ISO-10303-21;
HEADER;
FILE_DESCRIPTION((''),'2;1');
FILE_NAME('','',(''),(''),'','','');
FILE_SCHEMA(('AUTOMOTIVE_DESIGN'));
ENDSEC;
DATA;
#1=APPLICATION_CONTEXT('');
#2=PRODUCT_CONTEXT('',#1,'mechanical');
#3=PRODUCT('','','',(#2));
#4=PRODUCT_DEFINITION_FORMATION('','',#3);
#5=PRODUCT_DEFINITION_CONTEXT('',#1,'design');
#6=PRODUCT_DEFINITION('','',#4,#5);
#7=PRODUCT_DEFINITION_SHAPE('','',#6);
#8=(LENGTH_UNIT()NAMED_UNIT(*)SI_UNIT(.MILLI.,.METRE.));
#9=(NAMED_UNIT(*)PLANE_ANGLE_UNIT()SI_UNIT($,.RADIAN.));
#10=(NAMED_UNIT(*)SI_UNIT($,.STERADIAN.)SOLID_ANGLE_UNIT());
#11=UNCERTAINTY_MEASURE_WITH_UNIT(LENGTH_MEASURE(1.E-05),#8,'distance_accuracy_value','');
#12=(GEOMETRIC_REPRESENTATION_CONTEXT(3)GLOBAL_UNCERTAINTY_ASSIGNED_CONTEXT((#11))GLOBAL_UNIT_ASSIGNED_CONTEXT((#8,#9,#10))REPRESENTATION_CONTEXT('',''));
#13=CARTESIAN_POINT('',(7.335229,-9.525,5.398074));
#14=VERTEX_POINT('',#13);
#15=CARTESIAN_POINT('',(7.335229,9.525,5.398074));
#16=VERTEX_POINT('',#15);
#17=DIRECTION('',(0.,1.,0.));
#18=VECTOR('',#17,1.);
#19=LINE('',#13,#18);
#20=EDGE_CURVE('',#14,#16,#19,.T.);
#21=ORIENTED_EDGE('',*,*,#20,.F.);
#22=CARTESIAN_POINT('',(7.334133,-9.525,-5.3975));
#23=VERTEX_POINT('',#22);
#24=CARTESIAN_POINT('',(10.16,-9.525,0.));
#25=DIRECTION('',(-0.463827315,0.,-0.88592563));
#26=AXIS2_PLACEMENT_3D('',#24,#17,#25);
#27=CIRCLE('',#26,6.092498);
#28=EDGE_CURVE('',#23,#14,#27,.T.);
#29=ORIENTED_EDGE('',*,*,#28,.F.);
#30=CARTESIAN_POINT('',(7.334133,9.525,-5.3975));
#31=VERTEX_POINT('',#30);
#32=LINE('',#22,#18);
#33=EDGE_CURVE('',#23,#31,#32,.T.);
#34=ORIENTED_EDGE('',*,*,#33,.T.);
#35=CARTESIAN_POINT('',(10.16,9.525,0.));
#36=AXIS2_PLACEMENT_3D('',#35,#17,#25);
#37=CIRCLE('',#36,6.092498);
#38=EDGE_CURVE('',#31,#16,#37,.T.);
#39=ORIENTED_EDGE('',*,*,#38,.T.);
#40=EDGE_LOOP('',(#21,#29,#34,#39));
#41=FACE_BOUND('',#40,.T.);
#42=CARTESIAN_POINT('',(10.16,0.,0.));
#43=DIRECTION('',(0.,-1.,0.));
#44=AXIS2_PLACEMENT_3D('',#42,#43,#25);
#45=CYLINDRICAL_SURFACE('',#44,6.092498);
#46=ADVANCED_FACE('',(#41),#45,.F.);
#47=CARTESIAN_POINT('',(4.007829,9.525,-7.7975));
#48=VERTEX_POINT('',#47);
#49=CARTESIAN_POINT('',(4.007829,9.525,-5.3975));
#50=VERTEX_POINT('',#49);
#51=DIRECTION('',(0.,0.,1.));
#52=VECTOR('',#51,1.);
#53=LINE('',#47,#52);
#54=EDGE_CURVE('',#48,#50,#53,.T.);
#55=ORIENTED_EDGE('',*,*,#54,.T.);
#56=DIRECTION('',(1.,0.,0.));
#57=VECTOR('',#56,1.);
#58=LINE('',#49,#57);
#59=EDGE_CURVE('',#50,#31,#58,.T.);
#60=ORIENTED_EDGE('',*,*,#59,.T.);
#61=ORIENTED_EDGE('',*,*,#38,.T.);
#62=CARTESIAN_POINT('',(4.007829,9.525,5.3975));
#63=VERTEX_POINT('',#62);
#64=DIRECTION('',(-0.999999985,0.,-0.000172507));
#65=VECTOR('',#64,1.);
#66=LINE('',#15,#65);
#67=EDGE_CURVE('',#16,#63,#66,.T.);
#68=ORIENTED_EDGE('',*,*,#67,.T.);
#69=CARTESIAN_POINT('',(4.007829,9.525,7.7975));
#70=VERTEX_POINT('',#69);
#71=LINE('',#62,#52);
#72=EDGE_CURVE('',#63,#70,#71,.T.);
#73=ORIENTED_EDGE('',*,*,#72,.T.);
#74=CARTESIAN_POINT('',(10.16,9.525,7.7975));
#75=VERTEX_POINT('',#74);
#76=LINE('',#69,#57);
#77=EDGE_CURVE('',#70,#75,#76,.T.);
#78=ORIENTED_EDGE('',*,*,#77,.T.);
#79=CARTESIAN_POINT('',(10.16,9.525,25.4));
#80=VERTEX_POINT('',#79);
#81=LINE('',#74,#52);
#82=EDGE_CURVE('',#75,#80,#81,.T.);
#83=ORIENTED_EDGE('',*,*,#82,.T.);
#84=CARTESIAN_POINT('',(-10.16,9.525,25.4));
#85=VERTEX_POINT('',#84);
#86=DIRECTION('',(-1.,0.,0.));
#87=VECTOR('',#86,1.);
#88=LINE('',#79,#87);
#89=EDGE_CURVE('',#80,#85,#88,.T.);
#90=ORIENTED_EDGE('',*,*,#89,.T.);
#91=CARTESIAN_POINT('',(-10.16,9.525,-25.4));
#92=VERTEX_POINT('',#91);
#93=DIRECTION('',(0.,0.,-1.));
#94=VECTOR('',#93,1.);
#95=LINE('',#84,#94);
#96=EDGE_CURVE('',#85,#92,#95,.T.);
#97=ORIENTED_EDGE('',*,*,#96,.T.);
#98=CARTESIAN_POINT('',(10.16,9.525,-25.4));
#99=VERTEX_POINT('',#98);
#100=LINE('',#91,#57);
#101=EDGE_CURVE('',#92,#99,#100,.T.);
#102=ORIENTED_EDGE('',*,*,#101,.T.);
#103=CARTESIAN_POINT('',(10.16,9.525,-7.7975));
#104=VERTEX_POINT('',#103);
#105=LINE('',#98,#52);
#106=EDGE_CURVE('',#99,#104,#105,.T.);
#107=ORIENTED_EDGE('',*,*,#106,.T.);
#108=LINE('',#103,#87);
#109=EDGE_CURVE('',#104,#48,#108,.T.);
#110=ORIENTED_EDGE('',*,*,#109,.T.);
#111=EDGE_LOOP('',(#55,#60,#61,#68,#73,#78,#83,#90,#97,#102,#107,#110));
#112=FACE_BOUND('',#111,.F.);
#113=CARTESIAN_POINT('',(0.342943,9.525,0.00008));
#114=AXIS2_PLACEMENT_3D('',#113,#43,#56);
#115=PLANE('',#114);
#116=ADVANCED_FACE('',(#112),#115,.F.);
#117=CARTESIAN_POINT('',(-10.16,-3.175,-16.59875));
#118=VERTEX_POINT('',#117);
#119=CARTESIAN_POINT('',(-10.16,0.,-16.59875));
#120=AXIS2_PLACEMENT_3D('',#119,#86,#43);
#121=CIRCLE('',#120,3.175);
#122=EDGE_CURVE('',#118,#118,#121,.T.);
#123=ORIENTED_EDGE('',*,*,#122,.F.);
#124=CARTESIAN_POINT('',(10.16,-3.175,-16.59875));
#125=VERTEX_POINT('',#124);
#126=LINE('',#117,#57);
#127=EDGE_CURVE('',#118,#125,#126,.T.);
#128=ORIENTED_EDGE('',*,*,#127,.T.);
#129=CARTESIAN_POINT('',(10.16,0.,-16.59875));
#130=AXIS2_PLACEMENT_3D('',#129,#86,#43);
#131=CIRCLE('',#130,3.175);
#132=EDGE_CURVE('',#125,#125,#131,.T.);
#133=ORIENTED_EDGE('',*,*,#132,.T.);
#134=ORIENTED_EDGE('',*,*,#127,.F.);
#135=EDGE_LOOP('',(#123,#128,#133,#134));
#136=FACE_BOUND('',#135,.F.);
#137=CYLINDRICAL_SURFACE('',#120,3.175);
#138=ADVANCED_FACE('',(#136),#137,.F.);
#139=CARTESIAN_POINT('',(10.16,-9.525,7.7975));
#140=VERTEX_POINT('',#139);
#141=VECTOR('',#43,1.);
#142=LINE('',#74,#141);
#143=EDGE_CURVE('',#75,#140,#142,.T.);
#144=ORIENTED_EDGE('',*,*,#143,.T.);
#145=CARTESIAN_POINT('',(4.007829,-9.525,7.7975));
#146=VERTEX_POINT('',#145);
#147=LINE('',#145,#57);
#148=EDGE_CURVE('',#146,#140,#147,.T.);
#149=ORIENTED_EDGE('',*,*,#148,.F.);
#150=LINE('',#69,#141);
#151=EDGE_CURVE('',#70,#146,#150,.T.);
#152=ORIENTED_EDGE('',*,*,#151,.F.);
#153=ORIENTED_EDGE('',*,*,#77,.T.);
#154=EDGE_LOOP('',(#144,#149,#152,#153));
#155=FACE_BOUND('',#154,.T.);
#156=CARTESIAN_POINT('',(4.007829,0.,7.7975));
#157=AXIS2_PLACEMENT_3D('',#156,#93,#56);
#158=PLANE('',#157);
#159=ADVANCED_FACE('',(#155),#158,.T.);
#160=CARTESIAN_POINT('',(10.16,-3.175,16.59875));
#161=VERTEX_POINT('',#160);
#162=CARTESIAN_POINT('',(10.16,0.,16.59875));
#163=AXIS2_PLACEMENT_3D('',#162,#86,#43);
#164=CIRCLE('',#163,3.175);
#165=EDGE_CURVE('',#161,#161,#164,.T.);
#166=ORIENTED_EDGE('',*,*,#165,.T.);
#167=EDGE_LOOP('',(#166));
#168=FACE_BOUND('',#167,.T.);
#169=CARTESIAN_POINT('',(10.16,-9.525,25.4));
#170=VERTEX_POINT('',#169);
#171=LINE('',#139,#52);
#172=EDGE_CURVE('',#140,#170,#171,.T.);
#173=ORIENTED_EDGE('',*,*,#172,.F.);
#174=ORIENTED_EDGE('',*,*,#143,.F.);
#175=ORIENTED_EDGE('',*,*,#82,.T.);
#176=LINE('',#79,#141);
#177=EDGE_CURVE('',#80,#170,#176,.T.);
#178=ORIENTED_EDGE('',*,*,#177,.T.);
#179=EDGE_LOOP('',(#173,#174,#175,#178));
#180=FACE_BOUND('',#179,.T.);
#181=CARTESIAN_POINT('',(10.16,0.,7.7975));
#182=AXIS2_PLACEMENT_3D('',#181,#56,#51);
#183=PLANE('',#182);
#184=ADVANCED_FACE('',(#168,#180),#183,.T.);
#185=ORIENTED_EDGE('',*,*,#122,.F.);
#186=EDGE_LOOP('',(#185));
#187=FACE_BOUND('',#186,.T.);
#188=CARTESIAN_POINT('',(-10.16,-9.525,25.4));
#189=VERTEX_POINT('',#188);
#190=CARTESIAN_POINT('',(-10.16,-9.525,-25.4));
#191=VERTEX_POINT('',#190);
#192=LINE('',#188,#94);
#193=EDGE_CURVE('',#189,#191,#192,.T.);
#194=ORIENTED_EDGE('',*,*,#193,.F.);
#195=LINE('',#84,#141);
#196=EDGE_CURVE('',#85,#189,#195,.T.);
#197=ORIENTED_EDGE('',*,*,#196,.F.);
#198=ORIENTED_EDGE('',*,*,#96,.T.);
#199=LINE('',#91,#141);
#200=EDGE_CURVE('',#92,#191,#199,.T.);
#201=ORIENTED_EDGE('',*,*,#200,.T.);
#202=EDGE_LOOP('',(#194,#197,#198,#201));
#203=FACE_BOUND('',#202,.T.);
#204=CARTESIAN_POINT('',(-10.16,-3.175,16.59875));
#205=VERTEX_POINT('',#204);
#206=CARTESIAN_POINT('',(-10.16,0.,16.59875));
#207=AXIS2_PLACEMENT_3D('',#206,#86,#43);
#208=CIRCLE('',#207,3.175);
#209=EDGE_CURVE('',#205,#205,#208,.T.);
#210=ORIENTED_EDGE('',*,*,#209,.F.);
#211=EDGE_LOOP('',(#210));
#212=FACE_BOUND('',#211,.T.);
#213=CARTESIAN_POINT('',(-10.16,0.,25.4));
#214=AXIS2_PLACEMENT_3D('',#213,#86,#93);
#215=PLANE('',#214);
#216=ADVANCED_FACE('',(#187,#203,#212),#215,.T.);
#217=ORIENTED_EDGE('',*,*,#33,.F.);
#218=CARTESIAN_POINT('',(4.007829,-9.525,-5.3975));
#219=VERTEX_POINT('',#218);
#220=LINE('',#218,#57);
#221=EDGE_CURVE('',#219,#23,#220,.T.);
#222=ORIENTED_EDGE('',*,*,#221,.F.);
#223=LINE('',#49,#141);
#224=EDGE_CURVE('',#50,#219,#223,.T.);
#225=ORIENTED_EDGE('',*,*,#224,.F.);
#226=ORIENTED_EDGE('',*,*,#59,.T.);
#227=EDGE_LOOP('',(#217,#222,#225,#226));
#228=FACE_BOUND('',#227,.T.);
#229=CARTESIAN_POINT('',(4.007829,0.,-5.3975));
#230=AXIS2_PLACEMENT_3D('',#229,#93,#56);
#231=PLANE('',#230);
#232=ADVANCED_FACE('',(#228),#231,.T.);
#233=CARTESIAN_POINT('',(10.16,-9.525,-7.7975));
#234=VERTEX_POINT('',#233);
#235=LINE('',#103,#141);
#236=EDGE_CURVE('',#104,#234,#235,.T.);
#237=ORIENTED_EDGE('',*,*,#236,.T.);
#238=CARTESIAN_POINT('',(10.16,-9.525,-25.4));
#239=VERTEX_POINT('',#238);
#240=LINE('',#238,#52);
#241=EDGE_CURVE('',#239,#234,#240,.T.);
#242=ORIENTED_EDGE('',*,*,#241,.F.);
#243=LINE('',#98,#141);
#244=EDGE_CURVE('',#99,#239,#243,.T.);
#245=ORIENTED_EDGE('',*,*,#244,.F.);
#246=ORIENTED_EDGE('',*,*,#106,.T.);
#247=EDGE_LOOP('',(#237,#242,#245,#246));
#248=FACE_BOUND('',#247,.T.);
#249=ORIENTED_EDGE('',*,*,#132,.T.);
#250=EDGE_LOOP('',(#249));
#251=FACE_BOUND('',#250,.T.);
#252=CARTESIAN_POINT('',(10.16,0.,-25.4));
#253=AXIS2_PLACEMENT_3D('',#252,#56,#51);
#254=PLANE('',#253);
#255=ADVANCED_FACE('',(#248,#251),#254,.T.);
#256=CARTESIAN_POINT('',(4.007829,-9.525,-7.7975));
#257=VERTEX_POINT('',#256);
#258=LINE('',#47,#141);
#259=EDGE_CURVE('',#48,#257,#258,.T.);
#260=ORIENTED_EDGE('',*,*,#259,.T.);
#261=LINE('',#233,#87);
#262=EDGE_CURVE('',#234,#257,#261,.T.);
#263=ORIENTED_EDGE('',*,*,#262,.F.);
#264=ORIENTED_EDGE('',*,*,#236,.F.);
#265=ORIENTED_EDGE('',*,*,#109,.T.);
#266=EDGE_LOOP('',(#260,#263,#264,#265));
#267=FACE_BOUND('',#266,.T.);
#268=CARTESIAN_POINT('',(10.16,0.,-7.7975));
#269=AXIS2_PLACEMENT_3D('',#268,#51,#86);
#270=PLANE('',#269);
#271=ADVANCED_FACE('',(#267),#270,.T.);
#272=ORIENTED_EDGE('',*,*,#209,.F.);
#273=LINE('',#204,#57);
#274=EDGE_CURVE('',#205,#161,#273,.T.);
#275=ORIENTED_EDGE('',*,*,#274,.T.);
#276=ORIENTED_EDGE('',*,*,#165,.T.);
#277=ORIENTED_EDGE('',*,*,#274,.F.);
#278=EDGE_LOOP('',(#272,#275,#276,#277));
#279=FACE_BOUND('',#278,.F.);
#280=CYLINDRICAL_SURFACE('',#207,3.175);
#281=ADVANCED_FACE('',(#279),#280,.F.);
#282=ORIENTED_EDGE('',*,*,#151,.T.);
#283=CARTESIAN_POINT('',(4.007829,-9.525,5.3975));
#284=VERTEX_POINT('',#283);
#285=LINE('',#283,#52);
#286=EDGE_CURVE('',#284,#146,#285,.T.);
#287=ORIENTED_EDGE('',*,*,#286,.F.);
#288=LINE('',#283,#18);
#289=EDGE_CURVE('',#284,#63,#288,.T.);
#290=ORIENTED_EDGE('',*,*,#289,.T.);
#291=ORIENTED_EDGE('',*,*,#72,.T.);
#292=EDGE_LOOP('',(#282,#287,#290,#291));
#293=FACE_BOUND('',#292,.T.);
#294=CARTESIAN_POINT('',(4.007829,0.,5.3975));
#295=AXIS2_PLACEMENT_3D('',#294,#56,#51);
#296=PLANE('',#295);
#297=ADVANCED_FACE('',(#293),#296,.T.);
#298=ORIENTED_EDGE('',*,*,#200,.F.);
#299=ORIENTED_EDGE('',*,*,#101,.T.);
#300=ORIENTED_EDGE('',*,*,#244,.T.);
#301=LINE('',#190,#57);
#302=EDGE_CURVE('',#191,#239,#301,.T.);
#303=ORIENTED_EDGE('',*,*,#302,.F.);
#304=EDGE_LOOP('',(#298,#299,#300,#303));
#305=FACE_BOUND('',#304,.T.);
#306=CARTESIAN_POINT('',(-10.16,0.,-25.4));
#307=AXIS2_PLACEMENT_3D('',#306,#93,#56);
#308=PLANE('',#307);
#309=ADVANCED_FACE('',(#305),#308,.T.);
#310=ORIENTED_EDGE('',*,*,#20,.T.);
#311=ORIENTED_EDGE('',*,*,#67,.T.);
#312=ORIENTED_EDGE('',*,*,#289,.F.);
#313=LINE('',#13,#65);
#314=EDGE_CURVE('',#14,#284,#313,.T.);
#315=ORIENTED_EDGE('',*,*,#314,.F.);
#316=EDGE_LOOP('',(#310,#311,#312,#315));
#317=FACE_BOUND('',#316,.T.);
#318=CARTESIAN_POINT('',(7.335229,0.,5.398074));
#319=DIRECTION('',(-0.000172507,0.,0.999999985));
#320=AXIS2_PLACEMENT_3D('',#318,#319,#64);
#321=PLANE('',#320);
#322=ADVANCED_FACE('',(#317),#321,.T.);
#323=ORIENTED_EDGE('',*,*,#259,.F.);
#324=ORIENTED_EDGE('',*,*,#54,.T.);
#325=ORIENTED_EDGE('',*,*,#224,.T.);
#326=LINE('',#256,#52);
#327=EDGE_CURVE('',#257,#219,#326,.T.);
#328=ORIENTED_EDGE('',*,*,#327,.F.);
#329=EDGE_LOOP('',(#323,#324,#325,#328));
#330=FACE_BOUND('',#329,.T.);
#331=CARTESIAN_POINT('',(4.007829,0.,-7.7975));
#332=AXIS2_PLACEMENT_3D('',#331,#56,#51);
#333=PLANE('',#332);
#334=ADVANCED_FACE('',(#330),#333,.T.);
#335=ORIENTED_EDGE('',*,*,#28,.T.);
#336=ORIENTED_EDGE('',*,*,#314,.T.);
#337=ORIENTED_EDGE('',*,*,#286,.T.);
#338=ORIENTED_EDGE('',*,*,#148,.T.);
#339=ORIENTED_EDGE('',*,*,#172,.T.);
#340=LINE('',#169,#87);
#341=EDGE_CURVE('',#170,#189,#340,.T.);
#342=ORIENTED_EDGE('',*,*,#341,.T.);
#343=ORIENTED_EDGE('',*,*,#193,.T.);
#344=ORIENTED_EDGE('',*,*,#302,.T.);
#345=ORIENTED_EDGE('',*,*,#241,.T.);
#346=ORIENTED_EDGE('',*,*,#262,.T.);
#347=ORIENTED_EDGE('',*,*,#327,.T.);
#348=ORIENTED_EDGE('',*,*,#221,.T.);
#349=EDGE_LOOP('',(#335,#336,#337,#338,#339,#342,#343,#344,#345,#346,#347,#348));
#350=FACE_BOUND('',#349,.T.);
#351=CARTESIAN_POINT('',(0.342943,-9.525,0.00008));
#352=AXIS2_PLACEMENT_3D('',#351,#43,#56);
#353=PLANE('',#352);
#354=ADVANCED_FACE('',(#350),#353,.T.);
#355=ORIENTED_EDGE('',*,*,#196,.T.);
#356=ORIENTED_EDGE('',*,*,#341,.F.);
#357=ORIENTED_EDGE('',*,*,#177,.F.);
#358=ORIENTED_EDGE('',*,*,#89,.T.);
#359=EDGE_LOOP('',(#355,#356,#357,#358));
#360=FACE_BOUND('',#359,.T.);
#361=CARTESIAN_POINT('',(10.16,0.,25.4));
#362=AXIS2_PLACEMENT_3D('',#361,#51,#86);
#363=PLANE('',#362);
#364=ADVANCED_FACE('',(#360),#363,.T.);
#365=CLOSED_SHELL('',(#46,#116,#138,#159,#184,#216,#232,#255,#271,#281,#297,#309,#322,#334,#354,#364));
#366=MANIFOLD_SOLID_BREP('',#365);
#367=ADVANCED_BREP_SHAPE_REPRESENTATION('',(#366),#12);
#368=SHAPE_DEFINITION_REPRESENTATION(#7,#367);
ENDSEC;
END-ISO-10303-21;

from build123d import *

# Parameters (mm, degrees)
F1_DEPTH = 9.525
F2_R     = 3.175
F3_DEPTH = 25.4


with BuildPart() as f1:
    # F0 (on Front) → F1 (new body, symmetric)
    with BuildSketch(Plane.XZ):
        with BuildLine():
            Line((4.007829, 5.3975), (4.007829, 7.7975))
            Line((4.007829, 7.7975), (10.16, 7.7975))
            Line((10.16, 7.7975), (10.16, 25.4))
            Line((10.16, 25.4), (-10.16, 25.4))
            Line((-10.16, 25.4), (-10.16, -25.4))
            Line((-10.16, -25.4), (10.16, -25.4))
            Line((10.16, -25.4), (10.16, -7.7975))
            Line((10.16, -7.7975), (4.007829, -7.7975))
            Line((4.007829, -7.7975), (4.007829, -5.3975))
            Line((4.007829, -5.3975), (7.334133, -5.3975))
            ThreePointArc((7.334133, -5.3975), (4.067502, 0.000618), (7.335229, 5.398074))
            Line((7.335229, 5.398074), (4.007829, 5.3975))
        make_face()
    extrude(amount=F1_DEPTH, both=True)

    # F2 (on face) → F3 (cut)
    with BuildSketch(Plane(origin=(-10.16, 0, 0), x_dir=(0, -1, 0), z_dir=(-1, 0, 0))):
        with Locations((0, 16.59875)):
            Circle(F2_R)
        with Locations((0, -16.59875)):
            Circle(F2_R)
    extrude(amount=-F3_DEPTH, mode=Mode.SUBTRACT)


solid = f1.part
